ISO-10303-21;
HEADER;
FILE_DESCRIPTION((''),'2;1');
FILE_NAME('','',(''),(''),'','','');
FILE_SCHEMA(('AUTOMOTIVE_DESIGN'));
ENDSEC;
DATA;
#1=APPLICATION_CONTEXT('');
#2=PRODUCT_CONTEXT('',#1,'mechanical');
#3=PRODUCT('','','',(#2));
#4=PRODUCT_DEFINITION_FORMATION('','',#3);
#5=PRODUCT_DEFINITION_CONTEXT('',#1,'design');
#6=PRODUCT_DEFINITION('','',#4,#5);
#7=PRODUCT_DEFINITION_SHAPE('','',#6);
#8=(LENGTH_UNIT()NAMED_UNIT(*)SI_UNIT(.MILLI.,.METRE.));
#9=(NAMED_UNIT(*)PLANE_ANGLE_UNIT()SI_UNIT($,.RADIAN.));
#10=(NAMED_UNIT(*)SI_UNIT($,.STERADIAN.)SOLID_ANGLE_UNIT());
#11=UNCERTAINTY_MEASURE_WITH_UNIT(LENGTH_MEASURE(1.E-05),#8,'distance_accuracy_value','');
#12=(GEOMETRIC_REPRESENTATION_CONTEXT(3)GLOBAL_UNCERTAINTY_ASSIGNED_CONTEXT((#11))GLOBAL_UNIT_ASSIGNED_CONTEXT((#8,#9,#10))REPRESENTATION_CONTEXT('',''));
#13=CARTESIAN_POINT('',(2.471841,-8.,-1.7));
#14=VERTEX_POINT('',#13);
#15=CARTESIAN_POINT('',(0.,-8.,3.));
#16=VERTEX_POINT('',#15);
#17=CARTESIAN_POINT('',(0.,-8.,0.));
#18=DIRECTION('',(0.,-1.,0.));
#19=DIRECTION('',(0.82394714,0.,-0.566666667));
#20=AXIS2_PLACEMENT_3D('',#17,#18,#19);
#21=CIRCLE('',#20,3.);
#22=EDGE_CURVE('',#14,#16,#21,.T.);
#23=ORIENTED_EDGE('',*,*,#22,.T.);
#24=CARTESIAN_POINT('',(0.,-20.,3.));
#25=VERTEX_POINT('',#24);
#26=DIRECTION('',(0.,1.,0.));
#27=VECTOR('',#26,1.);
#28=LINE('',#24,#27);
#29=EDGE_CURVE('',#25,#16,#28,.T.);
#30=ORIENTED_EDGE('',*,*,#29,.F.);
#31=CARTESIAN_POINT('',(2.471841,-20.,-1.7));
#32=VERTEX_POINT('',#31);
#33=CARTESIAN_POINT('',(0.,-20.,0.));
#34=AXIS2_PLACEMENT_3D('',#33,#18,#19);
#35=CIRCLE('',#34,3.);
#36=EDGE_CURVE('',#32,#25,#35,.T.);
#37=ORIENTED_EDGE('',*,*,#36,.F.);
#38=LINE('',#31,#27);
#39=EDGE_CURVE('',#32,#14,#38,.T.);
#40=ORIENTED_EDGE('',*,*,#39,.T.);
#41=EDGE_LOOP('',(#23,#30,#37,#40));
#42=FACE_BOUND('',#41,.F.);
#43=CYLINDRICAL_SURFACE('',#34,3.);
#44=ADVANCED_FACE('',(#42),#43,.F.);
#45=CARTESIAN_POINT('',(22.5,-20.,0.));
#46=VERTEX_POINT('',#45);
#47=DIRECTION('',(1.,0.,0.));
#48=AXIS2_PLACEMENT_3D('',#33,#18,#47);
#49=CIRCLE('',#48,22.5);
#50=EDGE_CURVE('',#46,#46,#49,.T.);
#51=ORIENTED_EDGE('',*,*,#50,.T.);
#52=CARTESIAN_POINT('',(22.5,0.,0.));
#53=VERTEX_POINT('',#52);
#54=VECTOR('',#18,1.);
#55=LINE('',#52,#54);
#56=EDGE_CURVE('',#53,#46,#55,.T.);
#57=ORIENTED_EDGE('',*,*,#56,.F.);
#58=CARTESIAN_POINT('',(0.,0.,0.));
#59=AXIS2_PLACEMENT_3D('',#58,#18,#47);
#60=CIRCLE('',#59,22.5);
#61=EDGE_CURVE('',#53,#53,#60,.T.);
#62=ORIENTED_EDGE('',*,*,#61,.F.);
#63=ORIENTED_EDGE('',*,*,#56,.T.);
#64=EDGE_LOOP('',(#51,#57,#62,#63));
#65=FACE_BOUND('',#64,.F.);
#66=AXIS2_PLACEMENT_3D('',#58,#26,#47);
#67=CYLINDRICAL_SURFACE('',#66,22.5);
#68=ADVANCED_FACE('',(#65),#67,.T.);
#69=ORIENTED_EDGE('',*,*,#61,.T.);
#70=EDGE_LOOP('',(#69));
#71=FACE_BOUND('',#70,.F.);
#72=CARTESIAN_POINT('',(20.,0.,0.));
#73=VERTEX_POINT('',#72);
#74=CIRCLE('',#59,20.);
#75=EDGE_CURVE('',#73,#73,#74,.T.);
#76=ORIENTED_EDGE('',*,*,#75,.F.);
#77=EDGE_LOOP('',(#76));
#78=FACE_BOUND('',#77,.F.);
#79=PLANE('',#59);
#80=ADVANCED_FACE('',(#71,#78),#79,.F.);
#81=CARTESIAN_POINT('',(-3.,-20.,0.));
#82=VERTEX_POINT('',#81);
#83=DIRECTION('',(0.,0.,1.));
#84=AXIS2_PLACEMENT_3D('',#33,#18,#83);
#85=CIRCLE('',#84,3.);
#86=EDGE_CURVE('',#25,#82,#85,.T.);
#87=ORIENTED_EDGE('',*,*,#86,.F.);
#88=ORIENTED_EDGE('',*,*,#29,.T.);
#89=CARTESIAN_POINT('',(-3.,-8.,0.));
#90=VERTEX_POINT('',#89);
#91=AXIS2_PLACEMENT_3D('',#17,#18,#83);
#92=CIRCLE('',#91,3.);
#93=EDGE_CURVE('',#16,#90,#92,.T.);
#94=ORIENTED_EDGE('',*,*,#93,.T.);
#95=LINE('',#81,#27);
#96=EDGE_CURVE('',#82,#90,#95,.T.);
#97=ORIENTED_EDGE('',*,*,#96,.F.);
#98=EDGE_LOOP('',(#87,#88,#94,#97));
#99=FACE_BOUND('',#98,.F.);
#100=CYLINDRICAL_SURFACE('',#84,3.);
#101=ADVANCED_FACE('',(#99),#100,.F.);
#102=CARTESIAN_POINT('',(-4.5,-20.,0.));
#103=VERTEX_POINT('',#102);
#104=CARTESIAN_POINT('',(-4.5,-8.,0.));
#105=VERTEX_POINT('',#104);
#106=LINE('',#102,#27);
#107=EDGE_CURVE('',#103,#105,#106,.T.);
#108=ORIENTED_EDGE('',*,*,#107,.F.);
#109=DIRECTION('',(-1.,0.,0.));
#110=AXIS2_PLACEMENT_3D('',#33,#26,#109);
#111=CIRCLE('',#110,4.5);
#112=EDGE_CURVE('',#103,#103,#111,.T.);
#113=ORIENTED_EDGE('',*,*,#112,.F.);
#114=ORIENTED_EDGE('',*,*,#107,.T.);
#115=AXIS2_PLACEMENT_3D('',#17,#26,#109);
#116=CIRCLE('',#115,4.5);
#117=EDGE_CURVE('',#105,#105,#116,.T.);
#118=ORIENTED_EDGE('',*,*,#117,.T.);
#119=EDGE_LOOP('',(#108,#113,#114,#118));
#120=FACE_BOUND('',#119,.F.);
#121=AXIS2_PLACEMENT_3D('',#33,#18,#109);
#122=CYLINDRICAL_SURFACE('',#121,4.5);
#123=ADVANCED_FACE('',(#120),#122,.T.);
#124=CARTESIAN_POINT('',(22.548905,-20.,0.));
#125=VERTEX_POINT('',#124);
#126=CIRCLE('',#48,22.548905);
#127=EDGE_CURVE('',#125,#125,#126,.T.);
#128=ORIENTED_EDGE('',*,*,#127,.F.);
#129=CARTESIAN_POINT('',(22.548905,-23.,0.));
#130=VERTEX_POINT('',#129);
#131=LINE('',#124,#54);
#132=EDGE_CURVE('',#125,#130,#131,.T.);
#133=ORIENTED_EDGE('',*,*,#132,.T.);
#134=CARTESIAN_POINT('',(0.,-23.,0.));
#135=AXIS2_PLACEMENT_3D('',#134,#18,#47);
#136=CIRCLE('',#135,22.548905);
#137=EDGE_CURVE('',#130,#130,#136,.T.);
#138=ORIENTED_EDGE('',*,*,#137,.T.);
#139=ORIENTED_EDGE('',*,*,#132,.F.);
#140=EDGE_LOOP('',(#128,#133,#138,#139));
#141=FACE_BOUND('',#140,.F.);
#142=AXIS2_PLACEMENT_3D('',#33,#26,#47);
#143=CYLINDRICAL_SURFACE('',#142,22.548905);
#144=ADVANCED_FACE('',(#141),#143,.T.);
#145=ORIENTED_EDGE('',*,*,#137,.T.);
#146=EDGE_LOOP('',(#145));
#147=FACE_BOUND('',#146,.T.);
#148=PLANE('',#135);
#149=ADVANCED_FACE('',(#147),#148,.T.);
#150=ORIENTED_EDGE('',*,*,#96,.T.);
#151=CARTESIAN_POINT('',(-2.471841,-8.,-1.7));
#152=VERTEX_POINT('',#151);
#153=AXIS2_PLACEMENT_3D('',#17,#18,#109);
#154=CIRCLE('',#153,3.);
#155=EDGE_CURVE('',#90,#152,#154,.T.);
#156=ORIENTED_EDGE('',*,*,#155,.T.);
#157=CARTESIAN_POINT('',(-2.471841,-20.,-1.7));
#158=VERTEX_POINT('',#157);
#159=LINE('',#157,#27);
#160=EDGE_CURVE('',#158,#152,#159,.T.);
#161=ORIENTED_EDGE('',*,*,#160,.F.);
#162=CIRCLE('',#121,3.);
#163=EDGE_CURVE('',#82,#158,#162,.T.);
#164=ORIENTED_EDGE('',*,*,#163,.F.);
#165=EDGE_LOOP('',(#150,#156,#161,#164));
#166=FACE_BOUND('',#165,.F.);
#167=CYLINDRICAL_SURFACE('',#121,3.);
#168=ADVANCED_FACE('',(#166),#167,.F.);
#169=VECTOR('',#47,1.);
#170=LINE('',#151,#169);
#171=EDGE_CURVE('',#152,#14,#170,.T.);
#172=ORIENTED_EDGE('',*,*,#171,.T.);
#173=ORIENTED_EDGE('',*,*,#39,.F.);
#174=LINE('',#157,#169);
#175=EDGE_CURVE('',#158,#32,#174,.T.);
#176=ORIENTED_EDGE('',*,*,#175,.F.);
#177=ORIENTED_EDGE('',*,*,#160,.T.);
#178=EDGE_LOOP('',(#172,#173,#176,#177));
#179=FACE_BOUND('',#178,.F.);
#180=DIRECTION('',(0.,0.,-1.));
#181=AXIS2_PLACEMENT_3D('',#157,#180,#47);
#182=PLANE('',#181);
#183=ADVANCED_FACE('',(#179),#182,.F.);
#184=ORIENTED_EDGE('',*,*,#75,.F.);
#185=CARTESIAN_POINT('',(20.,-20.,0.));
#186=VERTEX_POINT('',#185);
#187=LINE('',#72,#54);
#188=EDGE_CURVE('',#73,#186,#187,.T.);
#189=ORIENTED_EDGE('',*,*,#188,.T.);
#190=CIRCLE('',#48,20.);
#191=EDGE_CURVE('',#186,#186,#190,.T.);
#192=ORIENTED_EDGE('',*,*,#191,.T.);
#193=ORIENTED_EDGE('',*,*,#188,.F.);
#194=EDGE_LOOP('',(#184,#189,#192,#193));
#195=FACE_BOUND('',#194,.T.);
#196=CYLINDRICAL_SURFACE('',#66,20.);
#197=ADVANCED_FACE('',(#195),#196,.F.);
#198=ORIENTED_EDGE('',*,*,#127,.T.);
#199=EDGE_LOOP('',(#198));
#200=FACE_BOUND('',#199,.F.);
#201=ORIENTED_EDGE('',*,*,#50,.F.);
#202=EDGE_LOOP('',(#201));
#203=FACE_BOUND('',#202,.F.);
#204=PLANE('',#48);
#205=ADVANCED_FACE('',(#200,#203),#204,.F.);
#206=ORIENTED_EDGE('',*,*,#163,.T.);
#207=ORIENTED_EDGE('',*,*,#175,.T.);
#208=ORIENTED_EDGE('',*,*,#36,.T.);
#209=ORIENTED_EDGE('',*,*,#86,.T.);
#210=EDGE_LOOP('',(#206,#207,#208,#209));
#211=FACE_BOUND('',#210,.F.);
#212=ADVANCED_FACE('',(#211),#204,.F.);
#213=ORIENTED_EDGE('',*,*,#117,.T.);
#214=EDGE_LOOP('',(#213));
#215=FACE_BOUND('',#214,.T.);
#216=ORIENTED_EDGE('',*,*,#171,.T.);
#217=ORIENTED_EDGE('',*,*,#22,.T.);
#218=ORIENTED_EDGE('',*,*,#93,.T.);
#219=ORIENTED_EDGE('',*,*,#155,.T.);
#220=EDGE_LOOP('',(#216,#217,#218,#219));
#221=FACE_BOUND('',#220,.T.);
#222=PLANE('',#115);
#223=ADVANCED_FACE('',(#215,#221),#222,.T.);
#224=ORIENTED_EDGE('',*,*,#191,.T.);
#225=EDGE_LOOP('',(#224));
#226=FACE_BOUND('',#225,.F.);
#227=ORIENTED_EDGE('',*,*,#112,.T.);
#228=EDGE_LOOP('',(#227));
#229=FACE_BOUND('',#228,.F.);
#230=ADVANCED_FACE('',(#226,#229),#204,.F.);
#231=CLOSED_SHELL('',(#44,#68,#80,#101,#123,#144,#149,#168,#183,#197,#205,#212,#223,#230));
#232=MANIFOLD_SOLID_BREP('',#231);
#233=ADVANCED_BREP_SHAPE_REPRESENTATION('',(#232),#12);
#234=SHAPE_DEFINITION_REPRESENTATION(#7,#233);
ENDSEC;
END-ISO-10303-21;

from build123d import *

# Parameters (mm, degrees)
F0_R     = 22.5
F0_R_2   = 20
F1_DEPTH = 20
F2_R     = 22.5489054278
F3_DEPTH = 3
F4_R     = 4.5
F5_DEPTH = 12


with BuildPart() as f1:
    # F0 (on Front) → F1 (new body)
    with BuildSketch(Plane.XZ):
        Circle(F0_R)
        Circle(F0_R_2, mode=Mode.SUBTRACT)
    extrude(amount=F1_DEPTH)

    # F2 (on face) → F3 (join)
    with BuildSketch(Plane.XZ.offset(20)):
        Circle(F2_R)
    extrude(amount=F3_DEPTH)

    # F4 (on face) → F5 (join)
    with BuildSketch(Plane(origin=(0, -20, 0), x_dir=(-1, 0, 0), z_dir=(0, 1, 0))):
        Circle(F4_R)
        with BuildLine():
            ThreePointArc((0, 3), (2.1213203436, 2.1213203436), (3, 0))
            ThreePointArc((3, 0), (2.8649192185, -0.8900774526), (2.4718414189, -1.7))
            ThreePointArc((2.4718414189, -1.7), (0, -3), (-2.4718414189, -1.7))
            ThreePointArc((-2.4718414189, -1.7), (-2.6551836095, 1.3964240044), (0, 3))
        make_face(mode=Mode.SUBTRACT)
        with BuildLine():
            ThreePointArc((-2.4718414189, -1.7), (0, -3), (2.4718414189, -1.7))
            Line((2.4718414189, -1.7), (0, -1.7))
            Line((0, -1.7), (-2.4718414189, -1.7))
        make_face()
    extrude(amount=F5_DEPTH)


solid = f1.part
